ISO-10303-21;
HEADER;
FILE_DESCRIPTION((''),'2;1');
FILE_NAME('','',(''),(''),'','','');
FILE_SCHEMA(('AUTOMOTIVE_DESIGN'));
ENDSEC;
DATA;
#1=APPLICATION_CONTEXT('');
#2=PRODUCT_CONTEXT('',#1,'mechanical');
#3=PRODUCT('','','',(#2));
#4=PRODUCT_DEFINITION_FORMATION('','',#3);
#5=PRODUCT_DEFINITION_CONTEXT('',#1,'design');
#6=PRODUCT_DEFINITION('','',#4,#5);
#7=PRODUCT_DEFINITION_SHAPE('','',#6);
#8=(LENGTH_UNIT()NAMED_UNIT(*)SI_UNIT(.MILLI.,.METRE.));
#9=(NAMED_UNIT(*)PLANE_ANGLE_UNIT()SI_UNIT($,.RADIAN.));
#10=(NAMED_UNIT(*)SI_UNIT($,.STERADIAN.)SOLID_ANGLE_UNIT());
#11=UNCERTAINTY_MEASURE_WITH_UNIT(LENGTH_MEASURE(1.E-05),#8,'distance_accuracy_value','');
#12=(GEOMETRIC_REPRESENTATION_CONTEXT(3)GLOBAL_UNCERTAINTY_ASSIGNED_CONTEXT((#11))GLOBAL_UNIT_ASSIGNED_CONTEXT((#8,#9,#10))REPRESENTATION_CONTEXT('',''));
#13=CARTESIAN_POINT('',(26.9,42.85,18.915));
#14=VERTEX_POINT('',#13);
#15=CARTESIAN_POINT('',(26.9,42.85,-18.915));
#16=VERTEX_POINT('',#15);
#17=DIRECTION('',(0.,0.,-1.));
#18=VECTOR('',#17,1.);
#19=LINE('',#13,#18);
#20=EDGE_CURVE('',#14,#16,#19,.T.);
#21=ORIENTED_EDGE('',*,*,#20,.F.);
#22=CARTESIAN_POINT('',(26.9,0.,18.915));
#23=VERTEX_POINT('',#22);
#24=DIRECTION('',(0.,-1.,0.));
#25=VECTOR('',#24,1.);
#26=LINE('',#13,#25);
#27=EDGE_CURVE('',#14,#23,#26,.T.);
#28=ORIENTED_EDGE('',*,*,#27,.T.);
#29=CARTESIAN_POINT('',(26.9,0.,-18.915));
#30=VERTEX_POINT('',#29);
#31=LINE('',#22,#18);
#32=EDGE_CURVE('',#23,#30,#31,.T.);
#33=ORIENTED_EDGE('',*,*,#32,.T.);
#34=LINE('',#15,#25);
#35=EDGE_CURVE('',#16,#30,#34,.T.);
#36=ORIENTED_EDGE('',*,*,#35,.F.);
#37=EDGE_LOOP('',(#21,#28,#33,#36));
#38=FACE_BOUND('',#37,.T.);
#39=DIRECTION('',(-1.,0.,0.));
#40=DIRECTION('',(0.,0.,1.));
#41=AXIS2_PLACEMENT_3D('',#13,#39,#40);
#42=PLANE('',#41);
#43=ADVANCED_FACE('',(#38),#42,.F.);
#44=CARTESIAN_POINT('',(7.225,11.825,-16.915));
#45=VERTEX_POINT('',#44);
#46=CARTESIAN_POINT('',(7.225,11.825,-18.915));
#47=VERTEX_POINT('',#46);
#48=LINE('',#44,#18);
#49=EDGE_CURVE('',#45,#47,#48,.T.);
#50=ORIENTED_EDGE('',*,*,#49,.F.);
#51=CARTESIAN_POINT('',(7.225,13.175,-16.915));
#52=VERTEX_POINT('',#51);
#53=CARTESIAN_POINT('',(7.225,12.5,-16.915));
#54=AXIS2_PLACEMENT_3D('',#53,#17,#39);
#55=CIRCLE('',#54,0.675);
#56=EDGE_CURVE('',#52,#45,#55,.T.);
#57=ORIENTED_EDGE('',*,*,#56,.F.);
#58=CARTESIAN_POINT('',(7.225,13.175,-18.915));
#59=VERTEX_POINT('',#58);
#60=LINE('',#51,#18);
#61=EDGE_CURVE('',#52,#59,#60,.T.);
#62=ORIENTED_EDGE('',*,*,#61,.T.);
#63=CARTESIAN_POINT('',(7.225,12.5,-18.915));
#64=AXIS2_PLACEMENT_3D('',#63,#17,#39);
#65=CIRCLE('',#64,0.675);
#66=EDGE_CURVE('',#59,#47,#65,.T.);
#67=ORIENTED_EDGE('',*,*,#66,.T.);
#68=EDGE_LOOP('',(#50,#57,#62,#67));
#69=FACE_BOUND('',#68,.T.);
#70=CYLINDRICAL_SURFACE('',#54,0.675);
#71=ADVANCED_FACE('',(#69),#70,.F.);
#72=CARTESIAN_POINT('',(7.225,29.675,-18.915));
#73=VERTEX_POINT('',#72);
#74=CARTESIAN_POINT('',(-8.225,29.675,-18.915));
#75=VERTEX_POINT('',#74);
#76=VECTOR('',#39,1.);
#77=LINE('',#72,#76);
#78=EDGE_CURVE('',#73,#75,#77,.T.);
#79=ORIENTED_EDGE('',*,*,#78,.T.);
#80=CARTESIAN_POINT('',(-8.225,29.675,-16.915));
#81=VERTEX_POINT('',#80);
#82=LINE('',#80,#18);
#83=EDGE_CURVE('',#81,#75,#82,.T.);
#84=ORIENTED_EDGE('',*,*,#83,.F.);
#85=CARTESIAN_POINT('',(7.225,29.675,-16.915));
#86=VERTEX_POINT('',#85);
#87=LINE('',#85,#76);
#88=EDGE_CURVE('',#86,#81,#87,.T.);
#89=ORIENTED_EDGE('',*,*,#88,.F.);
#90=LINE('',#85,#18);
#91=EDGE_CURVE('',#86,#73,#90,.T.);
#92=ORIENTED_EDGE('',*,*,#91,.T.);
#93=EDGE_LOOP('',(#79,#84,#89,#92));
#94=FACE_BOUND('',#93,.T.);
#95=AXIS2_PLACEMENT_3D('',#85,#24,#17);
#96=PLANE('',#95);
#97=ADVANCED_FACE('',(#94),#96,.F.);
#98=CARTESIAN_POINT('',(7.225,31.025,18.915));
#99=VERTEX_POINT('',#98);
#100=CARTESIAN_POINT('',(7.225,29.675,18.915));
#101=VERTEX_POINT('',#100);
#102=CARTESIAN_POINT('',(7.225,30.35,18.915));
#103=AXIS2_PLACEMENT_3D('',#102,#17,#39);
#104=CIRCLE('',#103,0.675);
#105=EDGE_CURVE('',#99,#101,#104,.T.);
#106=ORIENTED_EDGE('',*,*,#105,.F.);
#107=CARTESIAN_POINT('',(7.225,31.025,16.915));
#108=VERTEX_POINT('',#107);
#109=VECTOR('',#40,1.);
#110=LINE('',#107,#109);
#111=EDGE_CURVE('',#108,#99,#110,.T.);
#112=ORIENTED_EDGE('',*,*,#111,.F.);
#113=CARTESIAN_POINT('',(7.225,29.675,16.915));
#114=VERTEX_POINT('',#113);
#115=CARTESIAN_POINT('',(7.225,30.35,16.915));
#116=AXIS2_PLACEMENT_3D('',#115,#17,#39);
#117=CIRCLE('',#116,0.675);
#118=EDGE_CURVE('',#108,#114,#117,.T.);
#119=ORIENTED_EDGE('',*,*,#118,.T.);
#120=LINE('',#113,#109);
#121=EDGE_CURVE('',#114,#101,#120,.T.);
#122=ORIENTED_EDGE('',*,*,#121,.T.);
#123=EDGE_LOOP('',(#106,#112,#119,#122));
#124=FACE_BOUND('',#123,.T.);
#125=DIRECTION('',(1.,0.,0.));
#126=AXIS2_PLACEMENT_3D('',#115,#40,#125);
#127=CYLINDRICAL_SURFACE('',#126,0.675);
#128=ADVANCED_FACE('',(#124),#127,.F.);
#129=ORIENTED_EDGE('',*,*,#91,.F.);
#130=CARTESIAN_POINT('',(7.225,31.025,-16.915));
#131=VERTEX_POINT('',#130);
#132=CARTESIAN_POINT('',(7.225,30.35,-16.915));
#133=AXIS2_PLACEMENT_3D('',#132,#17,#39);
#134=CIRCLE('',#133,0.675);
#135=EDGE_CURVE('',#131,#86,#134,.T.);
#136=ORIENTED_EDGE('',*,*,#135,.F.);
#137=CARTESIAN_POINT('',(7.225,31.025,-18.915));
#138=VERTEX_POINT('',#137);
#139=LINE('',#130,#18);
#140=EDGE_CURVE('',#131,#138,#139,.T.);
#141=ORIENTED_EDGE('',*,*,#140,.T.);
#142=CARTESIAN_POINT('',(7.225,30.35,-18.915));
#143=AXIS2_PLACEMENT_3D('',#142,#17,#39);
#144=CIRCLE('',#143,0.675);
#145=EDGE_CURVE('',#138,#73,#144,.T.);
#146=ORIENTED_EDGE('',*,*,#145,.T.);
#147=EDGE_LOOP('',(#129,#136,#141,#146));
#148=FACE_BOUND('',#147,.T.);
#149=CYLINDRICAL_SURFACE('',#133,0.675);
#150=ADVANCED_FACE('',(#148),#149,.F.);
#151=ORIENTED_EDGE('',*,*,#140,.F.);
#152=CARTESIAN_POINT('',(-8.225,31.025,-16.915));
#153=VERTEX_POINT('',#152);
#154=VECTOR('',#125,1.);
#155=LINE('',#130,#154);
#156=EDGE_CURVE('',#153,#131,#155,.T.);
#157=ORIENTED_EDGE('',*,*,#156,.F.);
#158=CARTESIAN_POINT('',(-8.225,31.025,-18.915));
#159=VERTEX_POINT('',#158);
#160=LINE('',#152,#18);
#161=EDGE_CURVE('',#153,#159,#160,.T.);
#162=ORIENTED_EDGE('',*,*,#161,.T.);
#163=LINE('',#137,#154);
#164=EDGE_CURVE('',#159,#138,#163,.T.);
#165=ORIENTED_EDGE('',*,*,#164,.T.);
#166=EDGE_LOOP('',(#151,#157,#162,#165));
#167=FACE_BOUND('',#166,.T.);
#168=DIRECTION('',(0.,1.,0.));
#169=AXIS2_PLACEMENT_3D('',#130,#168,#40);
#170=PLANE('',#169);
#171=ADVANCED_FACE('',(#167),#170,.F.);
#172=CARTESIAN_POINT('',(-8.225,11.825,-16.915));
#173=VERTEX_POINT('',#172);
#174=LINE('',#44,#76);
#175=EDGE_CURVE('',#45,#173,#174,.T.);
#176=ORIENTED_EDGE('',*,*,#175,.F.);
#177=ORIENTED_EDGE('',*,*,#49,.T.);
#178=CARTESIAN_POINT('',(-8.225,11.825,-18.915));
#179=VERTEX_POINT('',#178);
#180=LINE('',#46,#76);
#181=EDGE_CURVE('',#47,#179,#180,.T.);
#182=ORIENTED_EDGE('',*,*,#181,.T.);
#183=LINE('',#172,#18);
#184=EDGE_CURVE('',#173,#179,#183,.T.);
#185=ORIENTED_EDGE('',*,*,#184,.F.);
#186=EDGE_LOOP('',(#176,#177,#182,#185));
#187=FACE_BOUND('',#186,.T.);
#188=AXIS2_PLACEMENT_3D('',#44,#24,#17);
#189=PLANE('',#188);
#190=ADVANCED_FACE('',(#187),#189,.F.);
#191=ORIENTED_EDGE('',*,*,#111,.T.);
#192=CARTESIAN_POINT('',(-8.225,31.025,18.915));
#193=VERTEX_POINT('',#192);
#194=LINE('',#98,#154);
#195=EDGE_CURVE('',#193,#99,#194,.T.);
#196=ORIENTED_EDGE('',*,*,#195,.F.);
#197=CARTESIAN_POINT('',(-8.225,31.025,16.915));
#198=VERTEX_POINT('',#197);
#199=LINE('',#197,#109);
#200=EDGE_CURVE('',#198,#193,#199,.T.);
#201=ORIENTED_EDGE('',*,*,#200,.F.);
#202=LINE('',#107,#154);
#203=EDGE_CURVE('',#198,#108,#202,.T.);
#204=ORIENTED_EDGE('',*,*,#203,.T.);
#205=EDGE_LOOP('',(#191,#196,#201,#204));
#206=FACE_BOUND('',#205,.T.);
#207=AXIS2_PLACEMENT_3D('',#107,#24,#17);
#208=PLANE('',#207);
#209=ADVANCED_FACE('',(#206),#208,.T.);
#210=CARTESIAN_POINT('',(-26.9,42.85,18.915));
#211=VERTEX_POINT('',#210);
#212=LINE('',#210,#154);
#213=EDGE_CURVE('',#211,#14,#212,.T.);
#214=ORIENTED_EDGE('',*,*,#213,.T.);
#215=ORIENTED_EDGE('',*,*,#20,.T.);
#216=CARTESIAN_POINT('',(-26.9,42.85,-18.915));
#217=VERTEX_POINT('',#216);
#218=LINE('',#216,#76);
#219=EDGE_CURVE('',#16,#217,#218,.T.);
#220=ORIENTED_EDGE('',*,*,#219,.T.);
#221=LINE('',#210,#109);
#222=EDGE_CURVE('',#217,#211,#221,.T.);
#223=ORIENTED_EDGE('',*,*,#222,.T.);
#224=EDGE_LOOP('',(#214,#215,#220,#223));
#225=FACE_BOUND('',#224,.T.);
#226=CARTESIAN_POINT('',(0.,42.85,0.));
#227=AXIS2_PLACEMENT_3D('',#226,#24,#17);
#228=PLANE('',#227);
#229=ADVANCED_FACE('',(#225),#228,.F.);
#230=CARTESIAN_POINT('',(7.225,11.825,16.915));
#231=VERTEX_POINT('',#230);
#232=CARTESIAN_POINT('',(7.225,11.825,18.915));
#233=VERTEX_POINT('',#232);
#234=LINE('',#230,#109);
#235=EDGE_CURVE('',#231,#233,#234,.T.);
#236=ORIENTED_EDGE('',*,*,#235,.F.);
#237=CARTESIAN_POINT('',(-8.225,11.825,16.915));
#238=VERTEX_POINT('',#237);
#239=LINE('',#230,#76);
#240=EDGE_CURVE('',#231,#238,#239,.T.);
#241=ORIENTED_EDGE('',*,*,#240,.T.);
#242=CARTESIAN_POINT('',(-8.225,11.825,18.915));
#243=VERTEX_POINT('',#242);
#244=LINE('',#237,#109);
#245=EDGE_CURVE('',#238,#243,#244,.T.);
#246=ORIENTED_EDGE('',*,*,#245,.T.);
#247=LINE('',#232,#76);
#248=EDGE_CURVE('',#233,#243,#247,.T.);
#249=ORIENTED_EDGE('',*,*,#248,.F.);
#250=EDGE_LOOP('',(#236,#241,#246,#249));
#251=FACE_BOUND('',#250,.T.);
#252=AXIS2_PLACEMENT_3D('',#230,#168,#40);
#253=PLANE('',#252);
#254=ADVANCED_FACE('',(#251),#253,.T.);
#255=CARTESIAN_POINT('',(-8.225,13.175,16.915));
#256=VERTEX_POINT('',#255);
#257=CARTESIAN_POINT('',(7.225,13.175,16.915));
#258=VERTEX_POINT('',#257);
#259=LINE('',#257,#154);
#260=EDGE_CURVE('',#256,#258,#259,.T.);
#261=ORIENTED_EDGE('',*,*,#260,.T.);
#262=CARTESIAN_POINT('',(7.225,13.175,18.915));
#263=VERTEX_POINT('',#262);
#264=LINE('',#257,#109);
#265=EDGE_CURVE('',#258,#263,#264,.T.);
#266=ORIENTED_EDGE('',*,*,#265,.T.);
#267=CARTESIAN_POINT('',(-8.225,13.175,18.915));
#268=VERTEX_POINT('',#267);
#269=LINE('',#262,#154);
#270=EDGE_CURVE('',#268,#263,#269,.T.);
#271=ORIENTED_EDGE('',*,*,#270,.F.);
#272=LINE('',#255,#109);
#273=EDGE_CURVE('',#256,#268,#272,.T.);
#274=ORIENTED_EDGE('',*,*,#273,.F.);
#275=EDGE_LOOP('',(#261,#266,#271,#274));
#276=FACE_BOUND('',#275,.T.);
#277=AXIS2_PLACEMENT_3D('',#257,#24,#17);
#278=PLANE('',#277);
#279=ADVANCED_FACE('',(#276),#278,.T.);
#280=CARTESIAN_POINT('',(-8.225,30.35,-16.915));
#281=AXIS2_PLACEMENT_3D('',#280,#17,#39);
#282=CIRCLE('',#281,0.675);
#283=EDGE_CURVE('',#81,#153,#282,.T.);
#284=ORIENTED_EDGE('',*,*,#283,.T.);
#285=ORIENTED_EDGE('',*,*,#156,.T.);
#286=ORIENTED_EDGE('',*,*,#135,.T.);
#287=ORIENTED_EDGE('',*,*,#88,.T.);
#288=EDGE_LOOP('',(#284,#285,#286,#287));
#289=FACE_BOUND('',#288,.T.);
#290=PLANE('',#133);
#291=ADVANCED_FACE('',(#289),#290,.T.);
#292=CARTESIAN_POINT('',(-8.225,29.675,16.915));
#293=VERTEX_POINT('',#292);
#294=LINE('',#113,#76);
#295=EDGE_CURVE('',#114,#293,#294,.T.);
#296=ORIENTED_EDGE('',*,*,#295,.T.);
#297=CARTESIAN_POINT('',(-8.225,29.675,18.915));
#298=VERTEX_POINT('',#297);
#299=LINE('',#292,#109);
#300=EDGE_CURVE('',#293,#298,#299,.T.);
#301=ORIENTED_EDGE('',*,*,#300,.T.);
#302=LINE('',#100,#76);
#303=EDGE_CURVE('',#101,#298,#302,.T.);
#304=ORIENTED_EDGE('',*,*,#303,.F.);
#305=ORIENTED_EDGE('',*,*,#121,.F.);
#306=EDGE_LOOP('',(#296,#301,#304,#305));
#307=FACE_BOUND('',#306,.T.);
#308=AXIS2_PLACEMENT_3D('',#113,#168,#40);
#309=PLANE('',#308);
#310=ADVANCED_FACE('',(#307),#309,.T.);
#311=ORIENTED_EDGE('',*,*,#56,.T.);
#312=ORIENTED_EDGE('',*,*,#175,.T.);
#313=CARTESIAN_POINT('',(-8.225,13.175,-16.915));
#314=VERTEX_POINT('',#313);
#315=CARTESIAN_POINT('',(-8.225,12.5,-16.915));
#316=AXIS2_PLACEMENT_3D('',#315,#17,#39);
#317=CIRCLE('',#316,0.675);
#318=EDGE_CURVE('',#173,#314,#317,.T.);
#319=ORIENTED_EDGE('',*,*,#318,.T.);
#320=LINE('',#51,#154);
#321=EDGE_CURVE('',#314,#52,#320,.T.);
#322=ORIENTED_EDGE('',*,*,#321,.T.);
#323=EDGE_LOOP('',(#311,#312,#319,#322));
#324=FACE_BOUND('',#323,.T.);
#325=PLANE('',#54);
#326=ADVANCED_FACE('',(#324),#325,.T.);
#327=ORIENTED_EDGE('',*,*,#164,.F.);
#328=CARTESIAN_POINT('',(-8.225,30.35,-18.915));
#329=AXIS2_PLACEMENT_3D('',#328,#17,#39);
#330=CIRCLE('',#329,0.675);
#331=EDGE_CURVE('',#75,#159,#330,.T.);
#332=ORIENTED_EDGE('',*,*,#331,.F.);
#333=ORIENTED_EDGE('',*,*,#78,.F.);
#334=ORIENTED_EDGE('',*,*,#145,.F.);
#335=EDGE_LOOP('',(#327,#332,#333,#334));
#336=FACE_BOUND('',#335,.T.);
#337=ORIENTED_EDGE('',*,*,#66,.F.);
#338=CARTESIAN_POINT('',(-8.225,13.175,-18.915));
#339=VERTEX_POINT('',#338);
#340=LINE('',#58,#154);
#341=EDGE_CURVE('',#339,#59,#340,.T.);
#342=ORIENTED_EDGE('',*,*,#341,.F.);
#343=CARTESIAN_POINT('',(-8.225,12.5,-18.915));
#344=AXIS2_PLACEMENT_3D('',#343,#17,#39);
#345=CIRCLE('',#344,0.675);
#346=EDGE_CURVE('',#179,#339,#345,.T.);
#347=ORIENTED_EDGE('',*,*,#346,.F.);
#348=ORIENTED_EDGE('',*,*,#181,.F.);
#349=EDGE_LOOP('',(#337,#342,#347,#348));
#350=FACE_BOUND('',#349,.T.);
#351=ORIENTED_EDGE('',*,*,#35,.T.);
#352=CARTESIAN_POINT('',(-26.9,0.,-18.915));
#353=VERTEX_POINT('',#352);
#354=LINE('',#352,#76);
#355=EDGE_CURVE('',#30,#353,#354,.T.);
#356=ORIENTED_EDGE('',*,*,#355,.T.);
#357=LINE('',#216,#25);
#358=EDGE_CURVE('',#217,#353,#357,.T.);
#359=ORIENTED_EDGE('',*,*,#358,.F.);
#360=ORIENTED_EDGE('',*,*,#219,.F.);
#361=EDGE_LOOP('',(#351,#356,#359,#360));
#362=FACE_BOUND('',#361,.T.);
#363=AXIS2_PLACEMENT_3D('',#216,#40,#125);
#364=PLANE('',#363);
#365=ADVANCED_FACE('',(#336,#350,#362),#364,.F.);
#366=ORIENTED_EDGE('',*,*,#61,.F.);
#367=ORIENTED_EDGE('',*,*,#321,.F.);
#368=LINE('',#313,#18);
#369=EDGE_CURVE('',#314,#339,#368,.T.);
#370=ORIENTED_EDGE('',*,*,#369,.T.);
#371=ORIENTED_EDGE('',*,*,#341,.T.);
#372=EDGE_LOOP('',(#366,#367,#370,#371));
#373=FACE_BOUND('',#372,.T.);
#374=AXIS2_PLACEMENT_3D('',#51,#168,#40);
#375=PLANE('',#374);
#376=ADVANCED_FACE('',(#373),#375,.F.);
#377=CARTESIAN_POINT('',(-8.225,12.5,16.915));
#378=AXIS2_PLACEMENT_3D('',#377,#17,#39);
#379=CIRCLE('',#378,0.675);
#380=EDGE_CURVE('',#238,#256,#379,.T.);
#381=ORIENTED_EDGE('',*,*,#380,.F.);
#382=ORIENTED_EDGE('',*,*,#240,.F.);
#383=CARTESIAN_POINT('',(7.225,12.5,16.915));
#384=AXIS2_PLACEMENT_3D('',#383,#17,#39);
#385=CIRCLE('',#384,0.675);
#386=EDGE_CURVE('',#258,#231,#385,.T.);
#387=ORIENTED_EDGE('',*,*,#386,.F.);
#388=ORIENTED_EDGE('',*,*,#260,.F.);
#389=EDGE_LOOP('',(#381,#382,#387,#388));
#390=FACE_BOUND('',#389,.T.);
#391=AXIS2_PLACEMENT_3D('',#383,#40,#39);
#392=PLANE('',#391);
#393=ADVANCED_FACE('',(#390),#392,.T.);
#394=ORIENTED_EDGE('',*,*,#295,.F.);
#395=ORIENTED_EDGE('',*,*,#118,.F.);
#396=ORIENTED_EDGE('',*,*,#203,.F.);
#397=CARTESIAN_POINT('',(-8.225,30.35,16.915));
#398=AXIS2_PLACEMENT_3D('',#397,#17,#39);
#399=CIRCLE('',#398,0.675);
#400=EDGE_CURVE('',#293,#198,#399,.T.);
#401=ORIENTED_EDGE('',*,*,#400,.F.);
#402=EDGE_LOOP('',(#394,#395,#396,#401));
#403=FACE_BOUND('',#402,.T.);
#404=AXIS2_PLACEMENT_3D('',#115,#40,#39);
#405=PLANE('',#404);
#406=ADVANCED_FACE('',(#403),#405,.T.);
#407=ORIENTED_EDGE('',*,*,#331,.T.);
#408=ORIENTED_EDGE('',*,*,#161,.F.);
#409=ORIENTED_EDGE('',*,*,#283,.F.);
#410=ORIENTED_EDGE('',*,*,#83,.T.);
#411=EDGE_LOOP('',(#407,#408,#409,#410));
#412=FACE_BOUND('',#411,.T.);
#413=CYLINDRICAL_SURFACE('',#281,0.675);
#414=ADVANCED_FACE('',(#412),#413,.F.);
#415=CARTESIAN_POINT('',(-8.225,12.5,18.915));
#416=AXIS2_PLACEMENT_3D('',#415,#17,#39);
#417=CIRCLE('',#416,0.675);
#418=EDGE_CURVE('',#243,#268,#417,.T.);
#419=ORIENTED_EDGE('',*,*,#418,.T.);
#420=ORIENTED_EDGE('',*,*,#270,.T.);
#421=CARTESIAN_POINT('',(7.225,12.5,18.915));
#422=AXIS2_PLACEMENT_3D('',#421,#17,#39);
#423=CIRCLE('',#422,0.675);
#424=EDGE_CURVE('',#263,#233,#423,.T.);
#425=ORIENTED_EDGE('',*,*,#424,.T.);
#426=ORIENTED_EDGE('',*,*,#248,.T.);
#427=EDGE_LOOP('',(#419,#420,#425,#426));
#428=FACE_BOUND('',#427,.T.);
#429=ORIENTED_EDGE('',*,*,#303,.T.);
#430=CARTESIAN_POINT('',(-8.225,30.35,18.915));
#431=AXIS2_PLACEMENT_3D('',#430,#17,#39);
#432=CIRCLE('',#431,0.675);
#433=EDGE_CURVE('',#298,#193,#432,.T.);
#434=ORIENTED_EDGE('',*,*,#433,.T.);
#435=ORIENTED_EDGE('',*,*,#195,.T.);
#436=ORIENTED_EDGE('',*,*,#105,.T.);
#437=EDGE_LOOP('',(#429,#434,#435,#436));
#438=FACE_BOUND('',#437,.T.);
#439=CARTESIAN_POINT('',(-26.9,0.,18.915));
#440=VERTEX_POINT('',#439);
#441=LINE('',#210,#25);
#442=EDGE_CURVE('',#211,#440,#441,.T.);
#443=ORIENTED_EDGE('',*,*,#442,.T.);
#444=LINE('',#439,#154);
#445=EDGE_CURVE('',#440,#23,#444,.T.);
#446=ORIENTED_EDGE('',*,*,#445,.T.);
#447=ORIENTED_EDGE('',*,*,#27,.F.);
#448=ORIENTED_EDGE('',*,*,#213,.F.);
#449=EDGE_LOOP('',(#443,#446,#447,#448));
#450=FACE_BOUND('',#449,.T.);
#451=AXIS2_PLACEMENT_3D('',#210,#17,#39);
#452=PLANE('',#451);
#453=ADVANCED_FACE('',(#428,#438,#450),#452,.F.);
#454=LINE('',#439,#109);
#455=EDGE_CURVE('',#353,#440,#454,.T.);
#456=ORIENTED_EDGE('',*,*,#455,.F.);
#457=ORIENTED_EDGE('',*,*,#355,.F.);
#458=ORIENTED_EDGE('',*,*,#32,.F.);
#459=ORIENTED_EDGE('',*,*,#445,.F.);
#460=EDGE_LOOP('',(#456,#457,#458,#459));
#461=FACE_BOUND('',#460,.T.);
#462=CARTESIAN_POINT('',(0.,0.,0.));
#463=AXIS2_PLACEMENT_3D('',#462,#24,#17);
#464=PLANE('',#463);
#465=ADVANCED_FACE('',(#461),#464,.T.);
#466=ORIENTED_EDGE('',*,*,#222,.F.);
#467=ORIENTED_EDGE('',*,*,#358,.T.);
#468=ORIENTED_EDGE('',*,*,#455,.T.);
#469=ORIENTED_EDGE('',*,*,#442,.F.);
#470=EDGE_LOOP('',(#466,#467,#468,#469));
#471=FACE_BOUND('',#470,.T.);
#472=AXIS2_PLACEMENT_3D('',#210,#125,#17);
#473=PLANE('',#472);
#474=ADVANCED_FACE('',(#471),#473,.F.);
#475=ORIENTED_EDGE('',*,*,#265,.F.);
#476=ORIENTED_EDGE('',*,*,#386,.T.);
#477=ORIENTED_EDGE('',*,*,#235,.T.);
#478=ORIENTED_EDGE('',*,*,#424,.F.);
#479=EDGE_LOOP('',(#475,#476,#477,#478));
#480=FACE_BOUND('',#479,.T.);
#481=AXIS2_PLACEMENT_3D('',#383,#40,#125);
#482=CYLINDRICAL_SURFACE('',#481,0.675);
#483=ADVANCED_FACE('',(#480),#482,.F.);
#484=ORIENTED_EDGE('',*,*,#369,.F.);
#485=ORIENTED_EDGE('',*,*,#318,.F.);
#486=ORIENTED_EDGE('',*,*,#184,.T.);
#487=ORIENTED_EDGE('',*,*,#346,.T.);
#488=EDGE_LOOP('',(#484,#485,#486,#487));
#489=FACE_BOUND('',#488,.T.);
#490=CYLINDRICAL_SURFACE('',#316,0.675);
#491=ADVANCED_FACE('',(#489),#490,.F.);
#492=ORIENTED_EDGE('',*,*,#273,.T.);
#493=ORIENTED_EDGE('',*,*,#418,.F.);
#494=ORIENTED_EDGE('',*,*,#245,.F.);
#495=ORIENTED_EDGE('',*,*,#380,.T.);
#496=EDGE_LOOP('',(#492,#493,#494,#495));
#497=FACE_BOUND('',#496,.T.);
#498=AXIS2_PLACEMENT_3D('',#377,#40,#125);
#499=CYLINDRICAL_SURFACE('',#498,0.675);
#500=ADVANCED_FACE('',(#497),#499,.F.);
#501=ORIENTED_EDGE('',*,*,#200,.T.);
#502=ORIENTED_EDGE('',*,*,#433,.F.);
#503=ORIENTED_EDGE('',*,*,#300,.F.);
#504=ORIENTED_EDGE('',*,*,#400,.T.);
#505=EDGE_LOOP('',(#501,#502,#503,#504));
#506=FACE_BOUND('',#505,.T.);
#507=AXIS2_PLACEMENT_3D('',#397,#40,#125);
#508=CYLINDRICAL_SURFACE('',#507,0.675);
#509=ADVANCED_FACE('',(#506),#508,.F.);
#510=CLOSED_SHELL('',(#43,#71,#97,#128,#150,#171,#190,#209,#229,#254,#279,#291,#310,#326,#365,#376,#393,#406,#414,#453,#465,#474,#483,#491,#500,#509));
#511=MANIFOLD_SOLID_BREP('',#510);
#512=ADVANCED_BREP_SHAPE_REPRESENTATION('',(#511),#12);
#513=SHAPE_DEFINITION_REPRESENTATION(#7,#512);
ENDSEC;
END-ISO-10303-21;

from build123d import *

# Parameters (mm, degrees)
SKETCH1_W           = 53.8
SKETCH1_H           = 37.83
BOSS_EXTRUDE1_DEPTH = 42.85
CUT_EXTRUDE1_DEPTH  = 2


with BuildPart() as part:
    # Sketch1 → Boss-Extrude1 (new body)
    with BuildSketch(Plane(origin=(0, 0, 0), x_dir=(1, 0, 0), z_dir=(0, 1, 0))):
        Rectangle(SKETCH1_W, SKETCH1_H)
    extrude(amount=BOSS_EXTRUDE1_DEPTH)

    # Sketch2 → Cut-Extrude1 (cut)
    with BuildSketch(Plane(origin=(0, 0, -18.915), x_dir=(-1, 0, 0), z_dir=(0, 0, -1))):
        with BuildLine():
            Line((-7.225, 31.025), (8.225, 31.025))
            ThreePointArc((8.225, 31.025), (8.9, 30.35), (8.225, 29.675))
            Line((8.225, 29.675), (-7.225, 29.675))
            ThreePointArc((-7.225, 29.675), (-7.9, 30.35), (-7.225, 31.025))
        make_face()
        with BuildLine():
            Line((-7.225, 13.175), (8.225, 13.175))
            ThreePointArc((8.225, 13.175), (8.9, 12.5), (8.225, 11.825))
            Line((8.225, 11.825), (-7.225, 11.825))
            ThreePointArc((-7.225, 11.825), (-7.9, 12.5), (-7.225, 13.175))
        make_face()
    cut_extrude1 = extrude(amount=-CUT_EXTRUDE1_DEPTH, mode=Mode.SUBTRACT)

    # Mirror1: Cut-Extrude1 across plane
    add(cut_extrude1.mirror(Plane(origin=(0, 0, 0), x_dir=(1, 0, 0), z_dir=(0, 0, -1))), mode=Mode.SUBTRACT)


solid = part.part
